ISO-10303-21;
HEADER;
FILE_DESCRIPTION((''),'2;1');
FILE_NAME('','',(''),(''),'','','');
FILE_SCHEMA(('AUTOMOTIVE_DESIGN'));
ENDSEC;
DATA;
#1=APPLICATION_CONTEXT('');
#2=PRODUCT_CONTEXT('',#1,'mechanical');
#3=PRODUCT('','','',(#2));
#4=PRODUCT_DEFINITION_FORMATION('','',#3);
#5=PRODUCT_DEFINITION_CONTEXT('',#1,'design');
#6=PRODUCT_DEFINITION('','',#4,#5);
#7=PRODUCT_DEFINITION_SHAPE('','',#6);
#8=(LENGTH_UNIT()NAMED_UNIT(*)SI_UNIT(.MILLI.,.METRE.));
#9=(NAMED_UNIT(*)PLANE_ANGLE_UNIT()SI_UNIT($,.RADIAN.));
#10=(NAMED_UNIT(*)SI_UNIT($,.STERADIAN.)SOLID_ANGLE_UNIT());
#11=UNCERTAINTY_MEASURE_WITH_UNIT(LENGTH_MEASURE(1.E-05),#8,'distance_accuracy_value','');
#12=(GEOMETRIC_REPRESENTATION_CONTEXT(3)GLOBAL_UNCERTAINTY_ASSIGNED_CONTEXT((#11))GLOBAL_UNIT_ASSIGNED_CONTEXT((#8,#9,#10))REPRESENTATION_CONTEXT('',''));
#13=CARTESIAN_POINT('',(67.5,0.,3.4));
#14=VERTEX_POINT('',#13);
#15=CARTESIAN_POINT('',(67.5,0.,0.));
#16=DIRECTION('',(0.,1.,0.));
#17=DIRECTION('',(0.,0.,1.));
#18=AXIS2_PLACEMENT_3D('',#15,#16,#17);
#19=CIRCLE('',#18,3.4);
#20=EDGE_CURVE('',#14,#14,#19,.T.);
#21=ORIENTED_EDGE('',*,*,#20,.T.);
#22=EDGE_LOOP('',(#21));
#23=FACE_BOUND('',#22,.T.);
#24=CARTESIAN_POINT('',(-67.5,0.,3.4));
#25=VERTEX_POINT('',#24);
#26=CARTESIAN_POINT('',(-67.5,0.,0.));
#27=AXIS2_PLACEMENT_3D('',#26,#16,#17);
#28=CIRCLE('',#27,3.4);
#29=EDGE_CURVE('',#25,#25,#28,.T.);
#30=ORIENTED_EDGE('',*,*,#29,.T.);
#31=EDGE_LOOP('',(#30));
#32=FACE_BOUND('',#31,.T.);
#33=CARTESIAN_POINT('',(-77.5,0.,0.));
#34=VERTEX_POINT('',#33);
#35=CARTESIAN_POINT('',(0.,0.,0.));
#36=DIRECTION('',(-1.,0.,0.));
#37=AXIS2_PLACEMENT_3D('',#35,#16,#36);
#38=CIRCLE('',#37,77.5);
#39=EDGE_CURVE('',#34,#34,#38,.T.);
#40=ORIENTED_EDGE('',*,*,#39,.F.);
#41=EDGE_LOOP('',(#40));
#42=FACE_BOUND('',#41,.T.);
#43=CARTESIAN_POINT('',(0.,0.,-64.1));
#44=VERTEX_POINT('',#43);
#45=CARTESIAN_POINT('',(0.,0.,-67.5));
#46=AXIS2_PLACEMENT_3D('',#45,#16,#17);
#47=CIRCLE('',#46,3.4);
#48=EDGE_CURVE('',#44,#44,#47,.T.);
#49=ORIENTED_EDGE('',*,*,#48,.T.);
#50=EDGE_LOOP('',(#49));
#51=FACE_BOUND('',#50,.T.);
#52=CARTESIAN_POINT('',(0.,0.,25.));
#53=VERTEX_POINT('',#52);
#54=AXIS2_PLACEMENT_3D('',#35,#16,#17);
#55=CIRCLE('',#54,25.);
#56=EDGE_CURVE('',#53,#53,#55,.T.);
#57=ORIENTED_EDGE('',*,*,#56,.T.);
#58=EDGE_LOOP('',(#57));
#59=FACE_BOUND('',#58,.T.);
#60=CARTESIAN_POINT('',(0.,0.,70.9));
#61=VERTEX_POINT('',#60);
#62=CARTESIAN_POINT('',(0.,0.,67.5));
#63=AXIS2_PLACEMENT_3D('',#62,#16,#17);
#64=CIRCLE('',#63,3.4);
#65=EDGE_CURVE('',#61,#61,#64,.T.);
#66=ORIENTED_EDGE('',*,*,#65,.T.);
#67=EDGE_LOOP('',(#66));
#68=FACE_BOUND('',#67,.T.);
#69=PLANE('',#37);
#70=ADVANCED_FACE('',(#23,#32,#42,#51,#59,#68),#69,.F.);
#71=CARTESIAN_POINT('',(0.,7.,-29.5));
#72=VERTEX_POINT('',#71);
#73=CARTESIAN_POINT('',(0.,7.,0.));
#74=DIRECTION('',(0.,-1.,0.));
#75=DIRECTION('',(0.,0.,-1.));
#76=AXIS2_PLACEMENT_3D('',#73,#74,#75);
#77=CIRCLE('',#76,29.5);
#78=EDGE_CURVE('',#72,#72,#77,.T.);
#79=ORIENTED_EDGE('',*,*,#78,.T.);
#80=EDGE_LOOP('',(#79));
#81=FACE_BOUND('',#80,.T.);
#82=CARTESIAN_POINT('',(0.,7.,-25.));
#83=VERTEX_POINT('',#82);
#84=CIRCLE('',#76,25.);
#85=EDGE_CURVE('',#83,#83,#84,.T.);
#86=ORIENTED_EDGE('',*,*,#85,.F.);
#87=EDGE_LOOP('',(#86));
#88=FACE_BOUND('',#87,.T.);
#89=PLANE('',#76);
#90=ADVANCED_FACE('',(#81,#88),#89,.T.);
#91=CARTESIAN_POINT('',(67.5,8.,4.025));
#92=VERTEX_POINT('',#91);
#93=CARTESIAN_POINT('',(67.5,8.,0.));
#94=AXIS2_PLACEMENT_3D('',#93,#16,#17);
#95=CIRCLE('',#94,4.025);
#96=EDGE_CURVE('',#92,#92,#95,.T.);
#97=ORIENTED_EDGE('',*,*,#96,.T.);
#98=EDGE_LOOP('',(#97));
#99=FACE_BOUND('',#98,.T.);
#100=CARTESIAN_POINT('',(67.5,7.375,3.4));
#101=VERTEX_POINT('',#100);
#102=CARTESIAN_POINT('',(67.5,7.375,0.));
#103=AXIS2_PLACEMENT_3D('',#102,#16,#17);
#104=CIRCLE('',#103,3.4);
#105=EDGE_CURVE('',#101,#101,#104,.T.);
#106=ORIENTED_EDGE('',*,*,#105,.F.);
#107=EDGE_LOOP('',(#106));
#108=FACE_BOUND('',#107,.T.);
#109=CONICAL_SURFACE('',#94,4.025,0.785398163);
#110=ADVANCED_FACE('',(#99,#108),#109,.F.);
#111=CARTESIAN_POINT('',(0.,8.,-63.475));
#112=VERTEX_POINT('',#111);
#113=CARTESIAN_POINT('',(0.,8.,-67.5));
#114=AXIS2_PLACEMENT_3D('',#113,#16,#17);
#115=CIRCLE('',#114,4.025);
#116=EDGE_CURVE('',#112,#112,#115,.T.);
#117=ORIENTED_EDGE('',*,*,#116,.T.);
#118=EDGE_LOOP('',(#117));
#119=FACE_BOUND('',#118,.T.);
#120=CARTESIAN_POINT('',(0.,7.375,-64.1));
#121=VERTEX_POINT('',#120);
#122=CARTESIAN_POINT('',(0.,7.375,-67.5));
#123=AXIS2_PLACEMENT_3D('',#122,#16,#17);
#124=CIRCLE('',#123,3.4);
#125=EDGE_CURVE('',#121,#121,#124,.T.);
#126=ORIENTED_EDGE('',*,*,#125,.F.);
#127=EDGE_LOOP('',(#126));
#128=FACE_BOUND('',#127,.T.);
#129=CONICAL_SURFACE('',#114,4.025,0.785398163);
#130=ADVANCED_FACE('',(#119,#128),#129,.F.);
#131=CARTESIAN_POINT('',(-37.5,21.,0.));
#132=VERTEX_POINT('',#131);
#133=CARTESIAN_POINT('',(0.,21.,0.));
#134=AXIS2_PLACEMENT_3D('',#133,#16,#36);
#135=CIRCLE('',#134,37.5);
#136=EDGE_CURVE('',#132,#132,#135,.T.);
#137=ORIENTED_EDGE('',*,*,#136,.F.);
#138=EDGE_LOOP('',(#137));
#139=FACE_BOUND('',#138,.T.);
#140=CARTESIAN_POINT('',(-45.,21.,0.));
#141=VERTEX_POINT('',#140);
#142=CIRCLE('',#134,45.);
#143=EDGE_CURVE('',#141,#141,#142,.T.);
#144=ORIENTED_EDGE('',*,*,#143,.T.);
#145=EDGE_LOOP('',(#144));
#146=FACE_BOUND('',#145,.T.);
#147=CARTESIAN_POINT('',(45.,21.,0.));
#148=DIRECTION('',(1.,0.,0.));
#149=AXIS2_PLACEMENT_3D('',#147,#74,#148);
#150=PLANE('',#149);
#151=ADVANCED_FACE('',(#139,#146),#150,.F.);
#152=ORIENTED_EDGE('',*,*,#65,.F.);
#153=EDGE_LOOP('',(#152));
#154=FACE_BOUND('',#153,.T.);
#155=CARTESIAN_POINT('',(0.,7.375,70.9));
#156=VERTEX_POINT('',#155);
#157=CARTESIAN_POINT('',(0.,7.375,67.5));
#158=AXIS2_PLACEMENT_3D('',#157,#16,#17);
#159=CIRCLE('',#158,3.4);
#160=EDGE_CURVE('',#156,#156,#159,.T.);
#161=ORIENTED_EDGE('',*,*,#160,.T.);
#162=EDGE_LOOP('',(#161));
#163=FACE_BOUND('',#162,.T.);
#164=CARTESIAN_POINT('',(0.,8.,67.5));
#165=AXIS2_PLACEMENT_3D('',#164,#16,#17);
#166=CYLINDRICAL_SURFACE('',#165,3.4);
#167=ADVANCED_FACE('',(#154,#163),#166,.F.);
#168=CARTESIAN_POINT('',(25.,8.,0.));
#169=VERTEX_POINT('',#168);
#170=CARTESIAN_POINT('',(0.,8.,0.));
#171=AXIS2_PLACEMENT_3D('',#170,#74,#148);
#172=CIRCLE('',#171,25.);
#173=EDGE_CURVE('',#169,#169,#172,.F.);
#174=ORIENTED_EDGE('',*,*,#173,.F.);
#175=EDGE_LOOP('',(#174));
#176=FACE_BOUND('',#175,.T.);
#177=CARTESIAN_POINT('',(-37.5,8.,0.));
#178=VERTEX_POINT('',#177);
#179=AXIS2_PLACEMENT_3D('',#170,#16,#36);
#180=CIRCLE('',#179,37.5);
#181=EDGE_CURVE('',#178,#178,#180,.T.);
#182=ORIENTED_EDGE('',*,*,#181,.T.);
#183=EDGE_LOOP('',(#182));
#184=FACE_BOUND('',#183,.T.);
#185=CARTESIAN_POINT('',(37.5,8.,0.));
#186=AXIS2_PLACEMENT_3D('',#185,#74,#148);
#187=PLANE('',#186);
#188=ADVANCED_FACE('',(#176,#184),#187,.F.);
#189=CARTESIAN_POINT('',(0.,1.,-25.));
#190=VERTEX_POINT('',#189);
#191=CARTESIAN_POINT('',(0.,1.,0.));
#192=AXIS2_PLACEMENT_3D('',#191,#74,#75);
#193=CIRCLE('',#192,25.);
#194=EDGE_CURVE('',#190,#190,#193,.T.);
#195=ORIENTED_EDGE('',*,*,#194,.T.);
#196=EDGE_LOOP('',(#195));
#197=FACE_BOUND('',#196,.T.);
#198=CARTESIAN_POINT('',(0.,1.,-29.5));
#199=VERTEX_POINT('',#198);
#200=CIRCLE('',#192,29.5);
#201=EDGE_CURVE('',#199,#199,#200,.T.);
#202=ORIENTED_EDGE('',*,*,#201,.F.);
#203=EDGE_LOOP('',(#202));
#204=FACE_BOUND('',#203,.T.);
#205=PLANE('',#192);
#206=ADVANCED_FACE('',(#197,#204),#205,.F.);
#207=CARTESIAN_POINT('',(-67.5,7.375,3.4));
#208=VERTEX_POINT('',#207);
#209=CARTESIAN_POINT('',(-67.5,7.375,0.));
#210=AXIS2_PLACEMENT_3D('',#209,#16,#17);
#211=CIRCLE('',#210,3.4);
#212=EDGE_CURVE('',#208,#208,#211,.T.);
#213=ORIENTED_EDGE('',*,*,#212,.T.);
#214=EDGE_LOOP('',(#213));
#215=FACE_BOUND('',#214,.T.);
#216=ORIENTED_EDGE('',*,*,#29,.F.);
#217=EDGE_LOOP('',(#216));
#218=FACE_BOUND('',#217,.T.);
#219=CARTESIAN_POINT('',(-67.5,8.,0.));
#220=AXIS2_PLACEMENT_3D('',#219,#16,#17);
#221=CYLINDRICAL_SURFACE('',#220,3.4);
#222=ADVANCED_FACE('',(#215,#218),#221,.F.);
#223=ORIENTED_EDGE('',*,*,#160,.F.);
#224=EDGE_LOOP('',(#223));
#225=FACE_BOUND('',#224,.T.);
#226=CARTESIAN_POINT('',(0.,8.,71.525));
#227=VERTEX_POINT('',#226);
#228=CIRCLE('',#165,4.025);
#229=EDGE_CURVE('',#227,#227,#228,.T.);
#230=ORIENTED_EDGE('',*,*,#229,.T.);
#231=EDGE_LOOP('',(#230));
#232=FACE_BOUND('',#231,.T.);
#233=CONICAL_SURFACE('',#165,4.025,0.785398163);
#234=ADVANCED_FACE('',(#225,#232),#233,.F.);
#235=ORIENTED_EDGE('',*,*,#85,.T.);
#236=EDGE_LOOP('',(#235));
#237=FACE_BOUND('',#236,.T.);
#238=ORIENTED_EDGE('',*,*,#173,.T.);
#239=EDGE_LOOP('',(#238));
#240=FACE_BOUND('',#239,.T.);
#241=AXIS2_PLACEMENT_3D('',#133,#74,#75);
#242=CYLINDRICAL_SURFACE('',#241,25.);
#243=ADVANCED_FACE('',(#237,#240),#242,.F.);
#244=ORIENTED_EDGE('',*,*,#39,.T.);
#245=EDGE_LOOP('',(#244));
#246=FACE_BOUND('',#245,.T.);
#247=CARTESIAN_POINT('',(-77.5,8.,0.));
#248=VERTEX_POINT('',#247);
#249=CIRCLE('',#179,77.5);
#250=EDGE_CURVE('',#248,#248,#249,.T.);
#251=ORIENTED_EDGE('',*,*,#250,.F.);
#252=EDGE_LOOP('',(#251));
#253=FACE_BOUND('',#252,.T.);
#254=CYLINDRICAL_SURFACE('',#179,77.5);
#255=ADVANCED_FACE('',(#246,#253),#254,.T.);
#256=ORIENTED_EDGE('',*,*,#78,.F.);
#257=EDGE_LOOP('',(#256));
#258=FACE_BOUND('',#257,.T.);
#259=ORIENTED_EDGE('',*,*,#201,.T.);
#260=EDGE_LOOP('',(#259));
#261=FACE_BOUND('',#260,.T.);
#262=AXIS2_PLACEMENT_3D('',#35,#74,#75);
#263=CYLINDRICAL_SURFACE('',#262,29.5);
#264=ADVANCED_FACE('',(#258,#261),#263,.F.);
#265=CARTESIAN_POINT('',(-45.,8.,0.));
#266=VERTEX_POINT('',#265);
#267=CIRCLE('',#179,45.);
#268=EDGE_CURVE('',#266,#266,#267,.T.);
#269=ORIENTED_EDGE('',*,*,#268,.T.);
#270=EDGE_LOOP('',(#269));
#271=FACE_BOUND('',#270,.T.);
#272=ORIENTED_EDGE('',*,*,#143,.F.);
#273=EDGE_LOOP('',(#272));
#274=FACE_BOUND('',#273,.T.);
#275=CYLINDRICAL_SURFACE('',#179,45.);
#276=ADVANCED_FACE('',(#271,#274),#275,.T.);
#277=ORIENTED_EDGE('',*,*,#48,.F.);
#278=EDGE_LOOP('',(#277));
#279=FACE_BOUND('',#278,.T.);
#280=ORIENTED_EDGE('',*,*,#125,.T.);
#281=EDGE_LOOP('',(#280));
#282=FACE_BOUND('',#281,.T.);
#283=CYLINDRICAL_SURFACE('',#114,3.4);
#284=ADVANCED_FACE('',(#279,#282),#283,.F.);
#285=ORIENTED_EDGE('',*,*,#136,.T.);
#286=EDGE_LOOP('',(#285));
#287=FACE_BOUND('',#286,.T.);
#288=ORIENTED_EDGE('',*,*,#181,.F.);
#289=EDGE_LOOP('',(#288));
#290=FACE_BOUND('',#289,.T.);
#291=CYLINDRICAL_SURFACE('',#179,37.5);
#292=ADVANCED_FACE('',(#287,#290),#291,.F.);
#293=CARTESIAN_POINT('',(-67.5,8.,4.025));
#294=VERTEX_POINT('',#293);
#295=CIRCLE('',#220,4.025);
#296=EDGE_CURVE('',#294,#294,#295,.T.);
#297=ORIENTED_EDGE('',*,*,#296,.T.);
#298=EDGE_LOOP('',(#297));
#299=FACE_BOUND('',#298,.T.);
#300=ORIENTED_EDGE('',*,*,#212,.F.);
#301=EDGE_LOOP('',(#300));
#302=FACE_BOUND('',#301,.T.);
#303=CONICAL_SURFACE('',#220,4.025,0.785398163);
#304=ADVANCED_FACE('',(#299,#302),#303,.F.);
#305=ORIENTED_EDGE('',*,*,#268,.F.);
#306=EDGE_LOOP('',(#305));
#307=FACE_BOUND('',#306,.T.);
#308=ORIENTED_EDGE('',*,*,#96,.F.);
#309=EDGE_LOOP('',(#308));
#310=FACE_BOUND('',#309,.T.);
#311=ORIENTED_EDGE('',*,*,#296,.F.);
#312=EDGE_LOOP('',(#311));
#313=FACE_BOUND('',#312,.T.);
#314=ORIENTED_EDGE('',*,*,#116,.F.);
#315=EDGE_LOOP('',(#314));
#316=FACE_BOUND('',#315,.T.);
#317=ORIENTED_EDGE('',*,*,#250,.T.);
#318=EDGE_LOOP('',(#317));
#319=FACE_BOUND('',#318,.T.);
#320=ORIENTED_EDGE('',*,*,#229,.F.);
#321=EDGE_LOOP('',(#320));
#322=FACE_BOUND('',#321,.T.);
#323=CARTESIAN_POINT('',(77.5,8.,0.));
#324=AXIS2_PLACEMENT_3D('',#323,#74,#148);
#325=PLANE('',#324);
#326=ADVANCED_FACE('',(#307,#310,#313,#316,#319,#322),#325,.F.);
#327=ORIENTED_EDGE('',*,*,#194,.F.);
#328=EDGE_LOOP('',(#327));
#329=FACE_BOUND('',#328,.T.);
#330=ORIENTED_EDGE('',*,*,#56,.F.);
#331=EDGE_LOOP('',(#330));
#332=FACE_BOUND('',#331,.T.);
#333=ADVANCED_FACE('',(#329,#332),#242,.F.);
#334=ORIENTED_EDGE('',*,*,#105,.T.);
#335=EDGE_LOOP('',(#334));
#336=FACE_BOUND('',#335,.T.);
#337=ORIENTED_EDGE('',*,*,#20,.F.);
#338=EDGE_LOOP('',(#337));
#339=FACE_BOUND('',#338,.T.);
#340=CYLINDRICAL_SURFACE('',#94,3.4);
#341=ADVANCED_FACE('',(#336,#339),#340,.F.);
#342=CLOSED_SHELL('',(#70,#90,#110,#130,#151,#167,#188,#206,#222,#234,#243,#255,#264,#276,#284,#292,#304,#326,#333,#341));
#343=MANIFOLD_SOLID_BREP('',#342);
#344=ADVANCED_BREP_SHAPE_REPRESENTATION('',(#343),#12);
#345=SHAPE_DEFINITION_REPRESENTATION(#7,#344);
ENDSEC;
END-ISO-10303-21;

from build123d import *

# Parameters (mm, degrees)
HOLE_WIZARD_M8_1_D           = 6.8
HOLE_WIZARD_M8_1_CSINK_D     = 8.05
HOLE_WIZARD_M8_1_CSINK_ANGLE = 90
SKETCH_3_R                   = 25
CUT_EXTRUDE_3_DEPTH          = 21


with BuildPart() as part:
    # 草图1 → 旋转1 (revolve)
    with BuildSketch(Plane.XY, mode=Mode.PRIVATE) as revolve_1_sk:
        Polygon((0, 0), (77.5, 0), (77.5, 8), (45, 8), (45, 21), (37.5, 21), (37.5, 8), (0, 8), align=None)
    revolve(revolve_1_sk.sketch.rotate(Axis((0, 8, 0), (0, -1, 0)), 180), axis=Axis((0, 8, 0), (0, -1, 0)))

    # M8 螺纹孔1 (through all)
    with Locations(Plane(origin=(0, 8, 0), x_dir=(1, 0, 0), z_dir=(0, 1, 0))):
        with Locations((-67.5, 0), (67.5, 0), (0, -67.5), (0, 67.5)):
            CounterSinkHole(HOLE_WIZARD_M8_1_D / 2, HOLE_WIZARD_M8_1_CSINK_D / 2, counter_sink_angle=HOLE_WIZARD_M8_1_CSINK_ANGLE)

    # 草图3 → 切除-拉伸3 (cut)
    with BuildSketch(Plane(origin=(0, 0, 0), x_dir=(1, 0, 0), z_dir=(0, 1, 0))):
        Circle(SKETCH_3_R)
    extrude(amount=CUT_EXTRUDE_3_DEPTH, mode=Mode.SUBTRACT)

    # 草图4 → 切除-旋转2 (revolve, cut)
    with BuildSketch(Plane(origin=(0, 0, 0), x_dir=(0, 0, -1), z_dir=(1, 0, 0))):
        Polygon((14.5, 7), (14.5, 1), (25, 1), (29.5, 1), (29.5, 4), (29.5, 7), (25, 7), align=None)
    revolve(axis=Axis((0, 0, 0), (0, 1, 0)), mode=Mode.SUBTRACT)


solid = part.part
